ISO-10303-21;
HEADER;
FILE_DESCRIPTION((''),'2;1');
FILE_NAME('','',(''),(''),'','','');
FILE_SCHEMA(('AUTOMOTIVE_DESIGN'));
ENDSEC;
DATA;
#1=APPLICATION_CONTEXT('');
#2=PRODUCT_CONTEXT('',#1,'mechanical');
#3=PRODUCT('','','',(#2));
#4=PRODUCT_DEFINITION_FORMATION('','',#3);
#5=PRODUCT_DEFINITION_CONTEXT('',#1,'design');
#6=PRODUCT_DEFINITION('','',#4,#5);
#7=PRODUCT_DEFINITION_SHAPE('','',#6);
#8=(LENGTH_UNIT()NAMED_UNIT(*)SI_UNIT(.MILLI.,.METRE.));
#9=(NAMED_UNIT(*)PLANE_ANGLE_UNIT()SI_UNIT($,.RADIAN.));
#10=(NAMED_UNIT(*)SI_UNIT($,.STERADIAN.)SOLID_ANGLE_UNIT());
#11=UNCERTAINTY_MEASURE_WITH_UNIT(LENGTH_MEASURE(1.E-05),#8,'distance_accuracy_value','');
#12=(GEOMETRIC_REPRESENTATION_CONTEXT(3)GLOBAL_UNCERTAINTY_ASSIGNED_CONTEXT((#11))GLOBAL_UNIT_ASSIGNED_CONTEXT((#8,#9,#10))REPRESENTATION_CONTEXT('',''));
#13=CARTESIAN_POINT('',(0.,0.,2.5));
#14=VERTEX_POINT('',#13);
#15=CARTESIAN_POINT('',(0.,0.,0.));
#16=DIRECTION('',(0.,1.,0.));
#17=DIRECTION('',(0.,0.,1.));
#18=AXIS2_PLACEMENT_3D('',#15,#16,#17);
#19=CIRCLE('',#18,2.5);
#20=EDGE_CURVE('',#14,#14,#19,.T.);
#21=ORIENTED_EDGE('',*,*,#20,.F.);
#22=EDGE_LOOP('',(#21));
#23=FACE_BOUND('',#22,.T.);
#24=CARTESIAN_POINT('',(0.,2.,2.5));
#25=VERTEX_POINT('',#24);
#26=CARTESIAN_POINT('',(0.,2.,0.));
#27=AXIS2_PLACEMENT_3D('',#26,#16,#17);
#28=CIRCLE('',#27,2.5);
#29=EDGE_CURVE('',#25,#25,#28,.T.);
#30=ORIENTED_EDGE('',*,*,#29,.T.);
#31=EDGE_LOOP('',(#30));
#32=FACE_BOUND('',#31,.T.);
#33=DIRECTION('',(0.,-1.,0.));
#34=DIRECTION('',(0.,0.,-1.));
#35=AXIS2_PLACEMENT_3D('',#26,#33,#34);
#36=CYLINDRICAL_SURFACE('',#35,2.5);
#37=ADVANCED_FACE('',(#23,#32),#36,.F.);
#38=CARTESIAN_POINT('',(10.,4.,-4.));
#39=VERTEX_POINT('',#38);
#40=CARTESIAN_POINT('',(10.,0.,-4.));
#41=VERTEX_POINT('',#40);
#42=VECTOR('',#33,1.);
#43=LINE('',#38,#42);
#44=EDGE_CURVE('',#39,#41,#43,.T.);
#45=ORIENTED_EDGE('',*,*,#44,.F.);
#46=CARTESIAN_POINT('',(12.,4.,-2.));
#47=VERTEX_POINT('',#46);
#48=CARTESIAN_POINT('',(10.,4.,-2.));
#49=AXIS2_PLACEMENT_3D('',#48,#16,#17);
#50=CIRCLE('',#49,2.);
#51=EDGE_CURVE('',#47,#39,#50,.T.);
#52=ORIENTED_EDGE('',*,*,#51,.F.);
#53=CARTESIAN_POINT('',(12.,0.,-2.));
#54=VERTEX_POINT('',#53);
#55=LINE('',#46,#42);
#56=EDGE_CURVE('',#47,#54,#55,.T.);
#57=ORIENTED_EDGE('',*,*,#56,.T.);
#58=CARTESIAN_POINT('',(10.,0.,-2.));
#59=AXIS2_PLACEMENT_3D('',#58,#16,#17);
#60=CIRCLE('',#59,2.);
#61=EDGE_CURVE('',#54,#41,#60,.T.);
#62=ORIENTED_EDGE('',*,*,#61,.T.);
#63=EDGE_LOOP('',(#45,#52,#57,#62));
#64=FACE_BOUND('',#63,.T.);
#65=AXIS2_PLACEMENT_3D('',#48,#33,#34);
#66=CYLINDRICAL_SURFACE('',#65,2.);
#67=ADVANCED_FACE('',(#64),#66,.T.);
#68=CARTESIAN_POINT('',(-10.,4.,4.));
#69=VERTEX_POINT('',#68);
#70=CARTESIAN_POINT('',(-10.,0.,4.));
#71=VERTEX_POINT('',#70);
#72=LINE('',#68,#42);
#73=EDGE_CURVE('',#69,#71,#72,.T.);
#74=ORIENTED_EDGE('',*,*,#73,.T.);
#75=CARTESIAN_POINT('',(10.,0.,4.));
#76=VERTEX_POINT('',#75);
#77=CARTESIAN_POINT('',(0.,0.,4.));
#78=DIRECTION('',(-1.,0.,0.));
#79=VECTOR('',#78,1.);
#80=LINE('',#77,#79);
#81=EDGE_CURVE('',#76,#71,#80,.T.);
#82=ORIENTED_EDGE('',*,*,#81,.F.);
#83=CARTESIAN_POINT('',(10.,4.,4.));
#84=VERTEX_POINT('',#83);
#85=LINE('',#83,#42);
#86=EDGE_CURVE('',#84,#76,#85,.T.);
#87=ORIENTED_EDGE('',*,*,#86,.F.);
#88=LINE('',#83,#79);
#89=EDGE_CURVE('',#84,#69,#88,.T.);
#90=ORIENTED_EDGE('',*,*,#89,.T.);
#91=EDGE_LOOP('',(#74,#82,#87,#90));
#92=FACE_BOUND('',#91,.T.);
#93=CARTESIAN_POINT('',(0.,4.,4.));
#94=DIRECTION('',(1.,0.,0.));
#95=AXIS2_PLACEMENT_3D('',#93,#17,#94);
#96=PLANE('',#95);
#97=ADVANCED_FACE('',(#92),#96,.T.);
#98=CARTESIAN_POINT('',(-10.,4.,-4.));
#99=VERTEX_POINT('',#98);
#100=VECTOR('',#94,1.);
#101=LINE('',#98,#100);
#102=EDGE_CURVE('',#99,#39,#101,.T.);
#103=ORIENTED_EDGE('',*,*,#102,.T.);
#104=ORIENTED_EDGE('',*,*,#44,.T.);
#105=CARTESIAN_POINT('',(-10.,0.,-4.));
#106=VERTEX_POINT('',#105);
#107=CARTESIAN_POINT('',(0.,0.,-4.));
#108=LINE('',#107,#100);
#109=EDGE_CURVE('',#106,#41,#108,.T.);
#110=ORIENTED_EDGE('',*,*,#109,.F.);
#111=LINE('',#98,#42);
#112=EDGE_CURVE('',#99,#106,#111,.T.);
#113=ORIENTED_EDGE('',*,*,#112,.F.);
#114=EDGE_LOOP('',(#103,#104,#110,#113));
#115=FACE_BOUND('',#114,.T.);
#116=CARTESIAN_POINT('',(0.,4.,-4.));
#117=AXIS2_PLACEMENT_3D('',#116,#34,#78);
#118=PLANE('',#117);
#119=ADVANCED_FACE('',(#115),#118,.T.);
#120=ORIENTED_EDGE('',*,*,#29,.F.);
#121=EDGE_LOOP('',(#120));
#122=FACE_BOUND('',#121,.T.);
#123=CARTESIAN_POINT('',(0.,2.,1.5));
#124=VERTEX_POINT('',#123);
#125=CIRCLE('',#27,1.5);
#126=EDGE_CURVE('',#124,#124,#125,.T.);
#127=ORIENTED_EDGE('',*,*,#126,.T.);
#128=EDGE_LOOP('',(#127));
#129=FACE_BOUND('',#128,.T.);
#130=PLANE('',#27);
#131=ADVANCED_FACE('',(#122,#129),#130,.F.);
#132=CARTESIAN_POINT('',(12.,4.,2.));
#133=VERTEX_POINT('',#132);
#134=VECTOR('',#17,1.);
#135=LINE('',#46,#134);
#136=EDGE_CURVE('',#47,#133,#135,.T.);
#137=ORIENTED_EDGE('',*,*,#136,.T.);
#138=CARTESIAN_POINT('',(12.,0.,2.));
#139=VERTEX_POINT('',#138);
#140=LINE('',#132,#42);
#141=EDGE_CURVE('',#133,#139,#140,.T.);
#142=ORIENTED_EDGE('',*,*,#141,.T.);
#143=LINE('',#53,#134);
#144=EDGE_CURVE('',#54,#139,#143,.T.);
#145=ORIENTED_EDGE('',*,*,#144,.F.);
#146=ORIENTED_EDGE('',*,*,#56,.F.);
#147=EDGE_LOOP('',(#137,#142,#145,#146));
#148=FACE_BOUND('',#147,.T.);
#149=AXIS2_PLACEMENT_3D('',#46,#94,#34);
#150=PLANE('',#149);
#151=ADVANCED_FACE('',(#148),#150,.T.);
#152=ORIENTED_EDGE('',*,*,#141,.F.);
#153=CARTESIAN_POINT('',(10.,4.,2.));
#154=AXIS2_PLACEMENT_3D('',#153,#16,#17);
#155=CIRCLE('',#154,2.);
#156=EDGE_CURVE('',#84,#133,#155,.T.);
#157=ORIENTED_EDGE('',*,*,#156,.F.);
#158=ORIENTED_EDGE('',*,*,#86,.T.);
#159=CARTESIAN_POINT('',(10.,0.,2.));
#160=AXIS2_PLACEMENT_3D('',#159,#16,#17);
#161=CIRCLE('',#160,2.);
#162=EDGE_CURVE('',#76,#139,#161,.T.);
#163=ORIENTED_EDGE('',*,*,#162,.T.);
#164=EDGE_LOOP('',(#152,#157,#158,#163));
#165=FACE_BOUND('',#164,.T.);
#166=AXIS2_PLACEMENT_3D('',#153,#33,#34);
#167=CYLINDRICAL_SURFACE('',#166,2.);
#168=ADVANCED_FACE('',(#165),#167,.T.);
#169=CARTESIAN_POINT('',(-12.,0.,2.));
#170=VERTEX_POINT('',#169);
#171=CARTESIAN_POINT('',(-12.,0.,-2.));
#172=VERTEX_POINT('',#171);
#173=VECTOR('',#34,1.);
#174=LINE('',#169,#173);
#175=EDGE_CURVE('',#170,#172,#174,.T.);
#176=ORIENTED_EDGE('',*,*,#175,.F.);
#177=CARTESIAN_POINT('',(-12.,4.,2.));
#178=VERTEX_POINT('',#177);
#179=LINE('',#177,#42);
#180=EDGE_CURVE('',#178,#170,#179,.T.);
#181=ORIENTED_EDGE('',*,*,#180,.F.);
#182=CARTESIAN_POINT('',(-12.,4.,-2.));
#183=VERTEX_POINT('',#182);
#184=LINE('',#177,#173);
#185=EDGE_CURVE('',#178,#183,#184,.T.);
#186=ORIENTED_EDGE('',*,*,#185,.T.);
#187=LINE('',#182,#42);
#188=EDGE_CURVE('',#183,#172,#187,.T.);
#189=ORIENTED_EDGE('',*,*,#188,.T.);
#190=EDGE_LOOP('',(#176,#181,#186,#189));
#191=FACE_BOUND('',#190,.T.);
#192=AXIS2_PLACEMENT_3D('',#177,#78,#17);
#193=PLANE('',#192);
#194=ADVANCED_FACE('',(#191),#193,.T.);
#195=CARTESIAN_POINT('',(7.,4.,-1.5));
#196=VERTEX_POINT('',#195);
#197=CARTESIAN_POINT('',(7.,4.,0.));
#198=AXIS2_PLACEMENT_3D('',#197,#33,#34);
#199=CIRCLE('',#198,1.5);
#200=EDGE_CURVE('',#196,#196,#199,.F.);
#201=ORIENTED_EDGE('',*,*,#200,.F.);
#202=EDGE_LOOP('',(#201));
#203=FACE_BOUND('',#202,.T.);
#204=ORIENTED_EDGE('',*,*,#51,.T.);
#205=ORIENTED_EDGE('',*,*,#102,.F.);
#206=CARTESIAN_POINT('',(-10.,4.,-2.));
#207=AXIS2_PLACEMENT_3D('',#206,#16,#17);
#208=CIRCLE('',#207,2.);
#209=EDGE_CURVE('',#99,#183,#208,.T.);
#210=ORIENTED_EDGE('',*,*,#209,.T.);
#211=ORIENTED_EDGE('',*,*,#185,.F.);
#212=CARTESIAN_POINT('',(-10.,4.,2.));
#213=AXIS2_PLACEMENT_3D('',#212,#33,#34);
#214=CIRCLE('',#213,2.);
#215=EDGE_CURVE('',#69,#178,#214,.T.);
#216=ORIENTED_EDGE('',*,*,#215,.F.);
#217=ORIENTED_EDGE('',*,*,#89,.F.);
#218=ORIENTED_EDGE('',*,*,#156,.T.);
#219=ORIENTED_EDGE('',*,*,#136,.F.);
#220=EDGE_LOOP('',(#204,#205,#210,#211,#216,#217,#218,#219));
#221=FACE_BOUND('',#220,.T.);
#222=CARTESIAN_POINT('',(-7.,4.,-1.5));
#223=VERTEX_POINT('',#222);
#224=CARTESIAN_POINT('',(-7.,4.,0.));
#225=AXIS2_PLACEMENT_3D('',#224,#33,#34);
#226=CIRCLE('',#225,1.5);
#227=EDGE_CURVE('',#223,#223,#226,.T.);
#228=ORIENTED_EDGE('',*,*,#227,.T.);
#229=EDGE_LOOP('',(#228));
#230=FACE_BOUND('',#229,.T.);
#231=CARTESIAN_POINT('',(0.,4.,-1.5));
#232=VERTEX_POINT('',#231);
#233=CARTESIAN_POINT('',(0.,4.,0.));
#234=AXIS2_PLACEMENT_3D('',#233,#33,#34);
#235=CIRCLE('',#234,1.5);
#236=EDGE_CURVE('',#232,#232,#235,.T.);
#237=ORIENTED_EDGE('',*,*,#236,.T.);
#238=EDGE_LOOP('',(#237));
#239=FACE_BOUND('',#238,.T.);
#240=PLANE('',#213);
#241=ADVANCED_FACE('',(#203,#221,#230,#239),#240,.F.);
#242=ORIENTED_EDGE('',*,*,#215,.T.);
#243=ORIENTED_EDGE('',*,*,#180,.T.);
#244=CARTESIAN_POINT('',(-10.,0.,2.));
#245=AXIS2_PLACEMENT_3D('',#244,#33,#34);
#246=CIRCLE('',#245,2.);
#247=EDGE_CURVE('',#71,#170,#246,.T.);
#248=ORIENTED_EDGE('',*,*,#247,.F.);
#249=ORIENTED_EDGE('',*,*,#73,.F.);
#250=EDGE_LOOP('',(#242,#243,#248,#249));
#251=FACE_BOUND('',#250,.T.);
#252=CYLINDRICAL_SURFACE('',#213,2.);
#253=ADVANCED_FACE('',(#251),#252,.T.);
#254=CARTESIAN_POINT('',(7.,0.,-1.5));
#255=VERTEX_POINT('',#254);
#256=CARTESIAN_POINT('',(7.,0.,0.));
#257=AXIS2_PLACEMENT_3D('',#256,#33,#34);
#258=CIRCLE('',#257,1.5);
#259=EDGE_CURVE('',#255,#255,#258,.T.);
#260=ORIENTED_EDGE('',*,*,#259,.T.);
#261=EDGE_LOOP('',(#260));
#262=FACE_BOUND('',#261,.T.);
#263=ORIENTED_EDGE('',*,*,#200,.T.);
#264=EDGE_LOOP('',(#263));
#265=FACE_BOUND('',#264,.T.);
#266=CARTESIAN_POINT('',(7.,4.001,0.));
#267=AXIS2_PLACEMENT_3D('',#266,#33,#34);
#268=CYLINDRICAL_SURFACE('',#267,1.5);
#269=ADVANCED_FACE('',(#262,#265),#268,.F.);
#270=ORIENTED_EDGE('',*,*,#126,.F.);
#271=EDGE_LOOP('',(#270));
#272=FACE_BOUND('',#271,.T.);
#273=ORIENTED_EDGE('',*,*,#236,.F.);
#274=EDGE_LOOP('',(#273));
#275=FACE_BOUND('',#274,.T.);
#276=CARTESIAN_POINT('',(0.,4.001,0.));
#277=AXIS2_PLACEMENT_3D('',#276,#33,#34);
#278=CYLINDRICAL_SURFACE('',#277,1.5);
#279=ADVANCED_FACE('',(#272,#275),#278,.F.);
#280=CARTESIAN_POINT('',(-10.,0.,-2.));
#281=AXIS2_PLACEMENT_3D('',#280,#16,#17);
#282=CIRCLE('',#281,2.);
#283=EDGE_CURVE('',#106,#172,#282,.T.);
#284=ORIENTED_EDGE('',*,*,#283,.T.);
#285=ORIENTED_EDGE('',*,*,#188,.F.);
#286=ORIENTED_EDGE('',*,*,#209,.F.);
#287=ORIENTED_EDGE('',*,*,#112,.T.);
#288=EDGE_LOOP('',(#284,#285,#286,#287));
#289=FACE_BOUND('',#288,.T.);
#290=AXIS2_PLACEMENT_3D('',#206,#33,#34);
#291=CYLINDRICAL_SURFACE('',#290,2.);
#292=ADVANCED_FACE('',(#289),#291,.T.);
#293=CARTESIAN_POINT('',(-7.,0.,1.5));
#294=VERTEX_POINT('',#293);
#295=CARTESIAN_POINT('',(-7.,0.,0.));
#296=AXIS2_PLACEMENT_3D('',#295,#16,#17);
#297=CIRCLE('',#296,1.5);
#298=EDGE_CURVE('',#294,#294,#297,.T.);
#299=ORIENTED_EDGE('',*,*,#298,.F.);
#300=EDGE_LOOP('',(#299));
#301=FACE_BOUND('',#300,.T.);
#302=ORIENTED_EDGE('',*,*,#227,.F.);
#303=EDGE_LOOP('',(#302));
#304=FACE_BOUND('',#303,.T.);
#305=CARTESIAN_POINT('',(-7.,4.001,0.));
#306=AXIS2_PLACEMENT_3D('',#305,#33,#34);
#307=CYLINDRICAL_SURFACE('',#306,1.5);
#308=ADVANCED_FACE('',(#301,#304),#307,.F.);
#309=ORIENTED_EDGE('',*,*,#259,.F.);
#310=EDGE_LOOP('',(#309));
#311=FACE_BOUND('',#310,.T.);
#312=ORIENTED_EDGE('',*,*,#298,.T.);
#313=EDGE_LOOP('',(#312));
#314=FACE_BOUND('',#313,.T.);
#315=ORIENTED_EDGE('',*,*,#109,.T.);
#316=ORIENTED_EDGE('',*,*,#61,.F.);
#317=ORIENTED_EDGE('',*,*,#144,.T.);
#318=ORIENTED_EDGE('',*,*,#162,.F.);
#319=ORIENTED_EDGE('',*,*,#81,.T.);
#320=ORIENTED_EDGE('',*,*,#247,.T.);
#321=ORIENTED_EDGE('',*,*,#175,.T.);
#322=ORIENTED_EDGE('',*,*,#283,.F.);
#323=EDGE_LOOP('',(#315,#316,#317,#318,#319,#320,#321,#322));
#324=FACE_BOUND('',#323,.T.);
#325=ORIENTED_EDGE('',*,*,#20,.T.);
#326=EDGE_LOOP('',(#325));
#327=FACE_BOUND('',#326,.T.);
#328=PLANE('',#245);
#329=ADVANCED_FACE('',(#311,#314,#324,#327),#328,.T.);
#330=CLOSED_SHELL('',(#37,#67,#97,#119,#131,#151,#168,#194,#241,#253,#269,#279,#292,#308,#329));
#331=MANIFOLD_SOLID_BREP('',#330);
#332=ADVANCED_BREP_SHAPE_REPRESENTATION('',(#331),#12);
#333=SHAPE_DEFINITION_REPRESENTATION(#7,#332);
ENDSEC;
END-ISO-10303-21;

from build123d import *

# Parameters (mm, degrees)
BOSS_EXTRUDE1_DEPTH = 4
CUT_EXTRUDE1_REACH  = 15.266
SKETCH1_3_R         = 1.5
SKETCH1_4_R         = 2.5
CUT_EXTRUDE2_DEPTH  = 2


with BuildPart() as part:
    # Sketch1 → Boss-Extrude1 (new body)
    with BuildSketch(Plane(origin=(0, 0, 0), x_dir=(1, 0, 0), z_dir=(0, 1, 0))):
        with BuildLine():
            Line((0, 4), (10, 4))
            ThreePointArc((10, 4), (11.414213562, 3.414213562), (12, 2))
            Line((12, 2), (12, -2))
            ThreePointArc((12, -2), (11.414213562, -3.414213562), (10, -4))
            Line((10, -4), (0, -4))
            Line((0, -4), (-10, -4))
            ThreePointArc((-10, -4), (-11.414213562, -3.414213562), (-12, -2))
            Line((-12, -2), (-12, 2))
            ThreePointArc((-12, 2), (-11.414213562, 3.414213562), (-10, 4))
            Line((-10, 4), (0, 4))
        make_face()
    extrude(amount=BOSS_EXTRUDE1_DEPTH)

    # Sketch1<3> → Cut-Extrude1 (cut, up to next)
    with BuildSketch(Plane(origin=(0, 0, 0), x_dir=(1, 0, 0), z_dir=(0, 1, 0)), mode=Mode.PRIVATE) as cut_extrude1_sk1:
        Circle(SKETCH1_3_R)
    cut_extrude1_tool1 = extrude(cut_extrude1_sk1.sketch, amount=CUT_EXTRUDE1_REACH, mode=Mode.PRIVATE) & part.part
    # Sketch1<3> → Cut-Extrude1 (cut, up to next)
    with BuildSketch(Plane(origin=(0, 0, 0), x_dir=(1, 0, 0), z_dir=(0, 1, 0)), mode=Mode.PRIVATE) as cut_extrude1_sk2:
        with Locations((-7, 0)):
            Circle(SKETCH1_3_R)
    cut_extrude1_tool2 = extrude(cut_extrude1_sk2.sketch, amount=CUT_EXTRUDE1_REACH, mode=Mode.PRIVATE) & part.part
    # Sketch1<3> → Cut-Extrude1 (cut, up to next)
    with BuildSketch(Plane(origin=(0, 0, 0), x_dir=(1, 0, 0), z_dir=(0, 1, 0)), mode=Mode.PRIVATE) as cut_extrude1_sk3:
        with Locations((7, 0)):
            Circle(SKETCH1_3_R)
    cut_extrude1_tool3 = extrude(cut_extrude1_sk3.sketch, amount=CUT_EXTRUDE1_REACH, mode=Mode.PRIVATE) & part.part
    add(cut_extrude1_tool1.solids().sort_by_distance((0, 0, 0))[0], mode=Mode.SUBTRACT)
    add(cut_extrude1_tool2.solids().sort_by_distance((-7, 0, 0))[0], mode=Mode.SUBTRACT)
    add(cut_extrude1_tool3.solids().sort_by_distance((7, 0, 0))[0], mode=Mode.SUBTRACT)

    # Sketch1<4> → Cut-Extrude2 (cut)
    with BuildSketch(Plane(origin=(0, 0, 0), x_dir=(1, 0, 0), z_dir=(0, 1, 0))):
        Circle(SKETCH1_4_R)
    extrude(amount=CUT_EXTRUDE2_DEPTH, mode=Mode.SUBTRACT)


solid = part.part
